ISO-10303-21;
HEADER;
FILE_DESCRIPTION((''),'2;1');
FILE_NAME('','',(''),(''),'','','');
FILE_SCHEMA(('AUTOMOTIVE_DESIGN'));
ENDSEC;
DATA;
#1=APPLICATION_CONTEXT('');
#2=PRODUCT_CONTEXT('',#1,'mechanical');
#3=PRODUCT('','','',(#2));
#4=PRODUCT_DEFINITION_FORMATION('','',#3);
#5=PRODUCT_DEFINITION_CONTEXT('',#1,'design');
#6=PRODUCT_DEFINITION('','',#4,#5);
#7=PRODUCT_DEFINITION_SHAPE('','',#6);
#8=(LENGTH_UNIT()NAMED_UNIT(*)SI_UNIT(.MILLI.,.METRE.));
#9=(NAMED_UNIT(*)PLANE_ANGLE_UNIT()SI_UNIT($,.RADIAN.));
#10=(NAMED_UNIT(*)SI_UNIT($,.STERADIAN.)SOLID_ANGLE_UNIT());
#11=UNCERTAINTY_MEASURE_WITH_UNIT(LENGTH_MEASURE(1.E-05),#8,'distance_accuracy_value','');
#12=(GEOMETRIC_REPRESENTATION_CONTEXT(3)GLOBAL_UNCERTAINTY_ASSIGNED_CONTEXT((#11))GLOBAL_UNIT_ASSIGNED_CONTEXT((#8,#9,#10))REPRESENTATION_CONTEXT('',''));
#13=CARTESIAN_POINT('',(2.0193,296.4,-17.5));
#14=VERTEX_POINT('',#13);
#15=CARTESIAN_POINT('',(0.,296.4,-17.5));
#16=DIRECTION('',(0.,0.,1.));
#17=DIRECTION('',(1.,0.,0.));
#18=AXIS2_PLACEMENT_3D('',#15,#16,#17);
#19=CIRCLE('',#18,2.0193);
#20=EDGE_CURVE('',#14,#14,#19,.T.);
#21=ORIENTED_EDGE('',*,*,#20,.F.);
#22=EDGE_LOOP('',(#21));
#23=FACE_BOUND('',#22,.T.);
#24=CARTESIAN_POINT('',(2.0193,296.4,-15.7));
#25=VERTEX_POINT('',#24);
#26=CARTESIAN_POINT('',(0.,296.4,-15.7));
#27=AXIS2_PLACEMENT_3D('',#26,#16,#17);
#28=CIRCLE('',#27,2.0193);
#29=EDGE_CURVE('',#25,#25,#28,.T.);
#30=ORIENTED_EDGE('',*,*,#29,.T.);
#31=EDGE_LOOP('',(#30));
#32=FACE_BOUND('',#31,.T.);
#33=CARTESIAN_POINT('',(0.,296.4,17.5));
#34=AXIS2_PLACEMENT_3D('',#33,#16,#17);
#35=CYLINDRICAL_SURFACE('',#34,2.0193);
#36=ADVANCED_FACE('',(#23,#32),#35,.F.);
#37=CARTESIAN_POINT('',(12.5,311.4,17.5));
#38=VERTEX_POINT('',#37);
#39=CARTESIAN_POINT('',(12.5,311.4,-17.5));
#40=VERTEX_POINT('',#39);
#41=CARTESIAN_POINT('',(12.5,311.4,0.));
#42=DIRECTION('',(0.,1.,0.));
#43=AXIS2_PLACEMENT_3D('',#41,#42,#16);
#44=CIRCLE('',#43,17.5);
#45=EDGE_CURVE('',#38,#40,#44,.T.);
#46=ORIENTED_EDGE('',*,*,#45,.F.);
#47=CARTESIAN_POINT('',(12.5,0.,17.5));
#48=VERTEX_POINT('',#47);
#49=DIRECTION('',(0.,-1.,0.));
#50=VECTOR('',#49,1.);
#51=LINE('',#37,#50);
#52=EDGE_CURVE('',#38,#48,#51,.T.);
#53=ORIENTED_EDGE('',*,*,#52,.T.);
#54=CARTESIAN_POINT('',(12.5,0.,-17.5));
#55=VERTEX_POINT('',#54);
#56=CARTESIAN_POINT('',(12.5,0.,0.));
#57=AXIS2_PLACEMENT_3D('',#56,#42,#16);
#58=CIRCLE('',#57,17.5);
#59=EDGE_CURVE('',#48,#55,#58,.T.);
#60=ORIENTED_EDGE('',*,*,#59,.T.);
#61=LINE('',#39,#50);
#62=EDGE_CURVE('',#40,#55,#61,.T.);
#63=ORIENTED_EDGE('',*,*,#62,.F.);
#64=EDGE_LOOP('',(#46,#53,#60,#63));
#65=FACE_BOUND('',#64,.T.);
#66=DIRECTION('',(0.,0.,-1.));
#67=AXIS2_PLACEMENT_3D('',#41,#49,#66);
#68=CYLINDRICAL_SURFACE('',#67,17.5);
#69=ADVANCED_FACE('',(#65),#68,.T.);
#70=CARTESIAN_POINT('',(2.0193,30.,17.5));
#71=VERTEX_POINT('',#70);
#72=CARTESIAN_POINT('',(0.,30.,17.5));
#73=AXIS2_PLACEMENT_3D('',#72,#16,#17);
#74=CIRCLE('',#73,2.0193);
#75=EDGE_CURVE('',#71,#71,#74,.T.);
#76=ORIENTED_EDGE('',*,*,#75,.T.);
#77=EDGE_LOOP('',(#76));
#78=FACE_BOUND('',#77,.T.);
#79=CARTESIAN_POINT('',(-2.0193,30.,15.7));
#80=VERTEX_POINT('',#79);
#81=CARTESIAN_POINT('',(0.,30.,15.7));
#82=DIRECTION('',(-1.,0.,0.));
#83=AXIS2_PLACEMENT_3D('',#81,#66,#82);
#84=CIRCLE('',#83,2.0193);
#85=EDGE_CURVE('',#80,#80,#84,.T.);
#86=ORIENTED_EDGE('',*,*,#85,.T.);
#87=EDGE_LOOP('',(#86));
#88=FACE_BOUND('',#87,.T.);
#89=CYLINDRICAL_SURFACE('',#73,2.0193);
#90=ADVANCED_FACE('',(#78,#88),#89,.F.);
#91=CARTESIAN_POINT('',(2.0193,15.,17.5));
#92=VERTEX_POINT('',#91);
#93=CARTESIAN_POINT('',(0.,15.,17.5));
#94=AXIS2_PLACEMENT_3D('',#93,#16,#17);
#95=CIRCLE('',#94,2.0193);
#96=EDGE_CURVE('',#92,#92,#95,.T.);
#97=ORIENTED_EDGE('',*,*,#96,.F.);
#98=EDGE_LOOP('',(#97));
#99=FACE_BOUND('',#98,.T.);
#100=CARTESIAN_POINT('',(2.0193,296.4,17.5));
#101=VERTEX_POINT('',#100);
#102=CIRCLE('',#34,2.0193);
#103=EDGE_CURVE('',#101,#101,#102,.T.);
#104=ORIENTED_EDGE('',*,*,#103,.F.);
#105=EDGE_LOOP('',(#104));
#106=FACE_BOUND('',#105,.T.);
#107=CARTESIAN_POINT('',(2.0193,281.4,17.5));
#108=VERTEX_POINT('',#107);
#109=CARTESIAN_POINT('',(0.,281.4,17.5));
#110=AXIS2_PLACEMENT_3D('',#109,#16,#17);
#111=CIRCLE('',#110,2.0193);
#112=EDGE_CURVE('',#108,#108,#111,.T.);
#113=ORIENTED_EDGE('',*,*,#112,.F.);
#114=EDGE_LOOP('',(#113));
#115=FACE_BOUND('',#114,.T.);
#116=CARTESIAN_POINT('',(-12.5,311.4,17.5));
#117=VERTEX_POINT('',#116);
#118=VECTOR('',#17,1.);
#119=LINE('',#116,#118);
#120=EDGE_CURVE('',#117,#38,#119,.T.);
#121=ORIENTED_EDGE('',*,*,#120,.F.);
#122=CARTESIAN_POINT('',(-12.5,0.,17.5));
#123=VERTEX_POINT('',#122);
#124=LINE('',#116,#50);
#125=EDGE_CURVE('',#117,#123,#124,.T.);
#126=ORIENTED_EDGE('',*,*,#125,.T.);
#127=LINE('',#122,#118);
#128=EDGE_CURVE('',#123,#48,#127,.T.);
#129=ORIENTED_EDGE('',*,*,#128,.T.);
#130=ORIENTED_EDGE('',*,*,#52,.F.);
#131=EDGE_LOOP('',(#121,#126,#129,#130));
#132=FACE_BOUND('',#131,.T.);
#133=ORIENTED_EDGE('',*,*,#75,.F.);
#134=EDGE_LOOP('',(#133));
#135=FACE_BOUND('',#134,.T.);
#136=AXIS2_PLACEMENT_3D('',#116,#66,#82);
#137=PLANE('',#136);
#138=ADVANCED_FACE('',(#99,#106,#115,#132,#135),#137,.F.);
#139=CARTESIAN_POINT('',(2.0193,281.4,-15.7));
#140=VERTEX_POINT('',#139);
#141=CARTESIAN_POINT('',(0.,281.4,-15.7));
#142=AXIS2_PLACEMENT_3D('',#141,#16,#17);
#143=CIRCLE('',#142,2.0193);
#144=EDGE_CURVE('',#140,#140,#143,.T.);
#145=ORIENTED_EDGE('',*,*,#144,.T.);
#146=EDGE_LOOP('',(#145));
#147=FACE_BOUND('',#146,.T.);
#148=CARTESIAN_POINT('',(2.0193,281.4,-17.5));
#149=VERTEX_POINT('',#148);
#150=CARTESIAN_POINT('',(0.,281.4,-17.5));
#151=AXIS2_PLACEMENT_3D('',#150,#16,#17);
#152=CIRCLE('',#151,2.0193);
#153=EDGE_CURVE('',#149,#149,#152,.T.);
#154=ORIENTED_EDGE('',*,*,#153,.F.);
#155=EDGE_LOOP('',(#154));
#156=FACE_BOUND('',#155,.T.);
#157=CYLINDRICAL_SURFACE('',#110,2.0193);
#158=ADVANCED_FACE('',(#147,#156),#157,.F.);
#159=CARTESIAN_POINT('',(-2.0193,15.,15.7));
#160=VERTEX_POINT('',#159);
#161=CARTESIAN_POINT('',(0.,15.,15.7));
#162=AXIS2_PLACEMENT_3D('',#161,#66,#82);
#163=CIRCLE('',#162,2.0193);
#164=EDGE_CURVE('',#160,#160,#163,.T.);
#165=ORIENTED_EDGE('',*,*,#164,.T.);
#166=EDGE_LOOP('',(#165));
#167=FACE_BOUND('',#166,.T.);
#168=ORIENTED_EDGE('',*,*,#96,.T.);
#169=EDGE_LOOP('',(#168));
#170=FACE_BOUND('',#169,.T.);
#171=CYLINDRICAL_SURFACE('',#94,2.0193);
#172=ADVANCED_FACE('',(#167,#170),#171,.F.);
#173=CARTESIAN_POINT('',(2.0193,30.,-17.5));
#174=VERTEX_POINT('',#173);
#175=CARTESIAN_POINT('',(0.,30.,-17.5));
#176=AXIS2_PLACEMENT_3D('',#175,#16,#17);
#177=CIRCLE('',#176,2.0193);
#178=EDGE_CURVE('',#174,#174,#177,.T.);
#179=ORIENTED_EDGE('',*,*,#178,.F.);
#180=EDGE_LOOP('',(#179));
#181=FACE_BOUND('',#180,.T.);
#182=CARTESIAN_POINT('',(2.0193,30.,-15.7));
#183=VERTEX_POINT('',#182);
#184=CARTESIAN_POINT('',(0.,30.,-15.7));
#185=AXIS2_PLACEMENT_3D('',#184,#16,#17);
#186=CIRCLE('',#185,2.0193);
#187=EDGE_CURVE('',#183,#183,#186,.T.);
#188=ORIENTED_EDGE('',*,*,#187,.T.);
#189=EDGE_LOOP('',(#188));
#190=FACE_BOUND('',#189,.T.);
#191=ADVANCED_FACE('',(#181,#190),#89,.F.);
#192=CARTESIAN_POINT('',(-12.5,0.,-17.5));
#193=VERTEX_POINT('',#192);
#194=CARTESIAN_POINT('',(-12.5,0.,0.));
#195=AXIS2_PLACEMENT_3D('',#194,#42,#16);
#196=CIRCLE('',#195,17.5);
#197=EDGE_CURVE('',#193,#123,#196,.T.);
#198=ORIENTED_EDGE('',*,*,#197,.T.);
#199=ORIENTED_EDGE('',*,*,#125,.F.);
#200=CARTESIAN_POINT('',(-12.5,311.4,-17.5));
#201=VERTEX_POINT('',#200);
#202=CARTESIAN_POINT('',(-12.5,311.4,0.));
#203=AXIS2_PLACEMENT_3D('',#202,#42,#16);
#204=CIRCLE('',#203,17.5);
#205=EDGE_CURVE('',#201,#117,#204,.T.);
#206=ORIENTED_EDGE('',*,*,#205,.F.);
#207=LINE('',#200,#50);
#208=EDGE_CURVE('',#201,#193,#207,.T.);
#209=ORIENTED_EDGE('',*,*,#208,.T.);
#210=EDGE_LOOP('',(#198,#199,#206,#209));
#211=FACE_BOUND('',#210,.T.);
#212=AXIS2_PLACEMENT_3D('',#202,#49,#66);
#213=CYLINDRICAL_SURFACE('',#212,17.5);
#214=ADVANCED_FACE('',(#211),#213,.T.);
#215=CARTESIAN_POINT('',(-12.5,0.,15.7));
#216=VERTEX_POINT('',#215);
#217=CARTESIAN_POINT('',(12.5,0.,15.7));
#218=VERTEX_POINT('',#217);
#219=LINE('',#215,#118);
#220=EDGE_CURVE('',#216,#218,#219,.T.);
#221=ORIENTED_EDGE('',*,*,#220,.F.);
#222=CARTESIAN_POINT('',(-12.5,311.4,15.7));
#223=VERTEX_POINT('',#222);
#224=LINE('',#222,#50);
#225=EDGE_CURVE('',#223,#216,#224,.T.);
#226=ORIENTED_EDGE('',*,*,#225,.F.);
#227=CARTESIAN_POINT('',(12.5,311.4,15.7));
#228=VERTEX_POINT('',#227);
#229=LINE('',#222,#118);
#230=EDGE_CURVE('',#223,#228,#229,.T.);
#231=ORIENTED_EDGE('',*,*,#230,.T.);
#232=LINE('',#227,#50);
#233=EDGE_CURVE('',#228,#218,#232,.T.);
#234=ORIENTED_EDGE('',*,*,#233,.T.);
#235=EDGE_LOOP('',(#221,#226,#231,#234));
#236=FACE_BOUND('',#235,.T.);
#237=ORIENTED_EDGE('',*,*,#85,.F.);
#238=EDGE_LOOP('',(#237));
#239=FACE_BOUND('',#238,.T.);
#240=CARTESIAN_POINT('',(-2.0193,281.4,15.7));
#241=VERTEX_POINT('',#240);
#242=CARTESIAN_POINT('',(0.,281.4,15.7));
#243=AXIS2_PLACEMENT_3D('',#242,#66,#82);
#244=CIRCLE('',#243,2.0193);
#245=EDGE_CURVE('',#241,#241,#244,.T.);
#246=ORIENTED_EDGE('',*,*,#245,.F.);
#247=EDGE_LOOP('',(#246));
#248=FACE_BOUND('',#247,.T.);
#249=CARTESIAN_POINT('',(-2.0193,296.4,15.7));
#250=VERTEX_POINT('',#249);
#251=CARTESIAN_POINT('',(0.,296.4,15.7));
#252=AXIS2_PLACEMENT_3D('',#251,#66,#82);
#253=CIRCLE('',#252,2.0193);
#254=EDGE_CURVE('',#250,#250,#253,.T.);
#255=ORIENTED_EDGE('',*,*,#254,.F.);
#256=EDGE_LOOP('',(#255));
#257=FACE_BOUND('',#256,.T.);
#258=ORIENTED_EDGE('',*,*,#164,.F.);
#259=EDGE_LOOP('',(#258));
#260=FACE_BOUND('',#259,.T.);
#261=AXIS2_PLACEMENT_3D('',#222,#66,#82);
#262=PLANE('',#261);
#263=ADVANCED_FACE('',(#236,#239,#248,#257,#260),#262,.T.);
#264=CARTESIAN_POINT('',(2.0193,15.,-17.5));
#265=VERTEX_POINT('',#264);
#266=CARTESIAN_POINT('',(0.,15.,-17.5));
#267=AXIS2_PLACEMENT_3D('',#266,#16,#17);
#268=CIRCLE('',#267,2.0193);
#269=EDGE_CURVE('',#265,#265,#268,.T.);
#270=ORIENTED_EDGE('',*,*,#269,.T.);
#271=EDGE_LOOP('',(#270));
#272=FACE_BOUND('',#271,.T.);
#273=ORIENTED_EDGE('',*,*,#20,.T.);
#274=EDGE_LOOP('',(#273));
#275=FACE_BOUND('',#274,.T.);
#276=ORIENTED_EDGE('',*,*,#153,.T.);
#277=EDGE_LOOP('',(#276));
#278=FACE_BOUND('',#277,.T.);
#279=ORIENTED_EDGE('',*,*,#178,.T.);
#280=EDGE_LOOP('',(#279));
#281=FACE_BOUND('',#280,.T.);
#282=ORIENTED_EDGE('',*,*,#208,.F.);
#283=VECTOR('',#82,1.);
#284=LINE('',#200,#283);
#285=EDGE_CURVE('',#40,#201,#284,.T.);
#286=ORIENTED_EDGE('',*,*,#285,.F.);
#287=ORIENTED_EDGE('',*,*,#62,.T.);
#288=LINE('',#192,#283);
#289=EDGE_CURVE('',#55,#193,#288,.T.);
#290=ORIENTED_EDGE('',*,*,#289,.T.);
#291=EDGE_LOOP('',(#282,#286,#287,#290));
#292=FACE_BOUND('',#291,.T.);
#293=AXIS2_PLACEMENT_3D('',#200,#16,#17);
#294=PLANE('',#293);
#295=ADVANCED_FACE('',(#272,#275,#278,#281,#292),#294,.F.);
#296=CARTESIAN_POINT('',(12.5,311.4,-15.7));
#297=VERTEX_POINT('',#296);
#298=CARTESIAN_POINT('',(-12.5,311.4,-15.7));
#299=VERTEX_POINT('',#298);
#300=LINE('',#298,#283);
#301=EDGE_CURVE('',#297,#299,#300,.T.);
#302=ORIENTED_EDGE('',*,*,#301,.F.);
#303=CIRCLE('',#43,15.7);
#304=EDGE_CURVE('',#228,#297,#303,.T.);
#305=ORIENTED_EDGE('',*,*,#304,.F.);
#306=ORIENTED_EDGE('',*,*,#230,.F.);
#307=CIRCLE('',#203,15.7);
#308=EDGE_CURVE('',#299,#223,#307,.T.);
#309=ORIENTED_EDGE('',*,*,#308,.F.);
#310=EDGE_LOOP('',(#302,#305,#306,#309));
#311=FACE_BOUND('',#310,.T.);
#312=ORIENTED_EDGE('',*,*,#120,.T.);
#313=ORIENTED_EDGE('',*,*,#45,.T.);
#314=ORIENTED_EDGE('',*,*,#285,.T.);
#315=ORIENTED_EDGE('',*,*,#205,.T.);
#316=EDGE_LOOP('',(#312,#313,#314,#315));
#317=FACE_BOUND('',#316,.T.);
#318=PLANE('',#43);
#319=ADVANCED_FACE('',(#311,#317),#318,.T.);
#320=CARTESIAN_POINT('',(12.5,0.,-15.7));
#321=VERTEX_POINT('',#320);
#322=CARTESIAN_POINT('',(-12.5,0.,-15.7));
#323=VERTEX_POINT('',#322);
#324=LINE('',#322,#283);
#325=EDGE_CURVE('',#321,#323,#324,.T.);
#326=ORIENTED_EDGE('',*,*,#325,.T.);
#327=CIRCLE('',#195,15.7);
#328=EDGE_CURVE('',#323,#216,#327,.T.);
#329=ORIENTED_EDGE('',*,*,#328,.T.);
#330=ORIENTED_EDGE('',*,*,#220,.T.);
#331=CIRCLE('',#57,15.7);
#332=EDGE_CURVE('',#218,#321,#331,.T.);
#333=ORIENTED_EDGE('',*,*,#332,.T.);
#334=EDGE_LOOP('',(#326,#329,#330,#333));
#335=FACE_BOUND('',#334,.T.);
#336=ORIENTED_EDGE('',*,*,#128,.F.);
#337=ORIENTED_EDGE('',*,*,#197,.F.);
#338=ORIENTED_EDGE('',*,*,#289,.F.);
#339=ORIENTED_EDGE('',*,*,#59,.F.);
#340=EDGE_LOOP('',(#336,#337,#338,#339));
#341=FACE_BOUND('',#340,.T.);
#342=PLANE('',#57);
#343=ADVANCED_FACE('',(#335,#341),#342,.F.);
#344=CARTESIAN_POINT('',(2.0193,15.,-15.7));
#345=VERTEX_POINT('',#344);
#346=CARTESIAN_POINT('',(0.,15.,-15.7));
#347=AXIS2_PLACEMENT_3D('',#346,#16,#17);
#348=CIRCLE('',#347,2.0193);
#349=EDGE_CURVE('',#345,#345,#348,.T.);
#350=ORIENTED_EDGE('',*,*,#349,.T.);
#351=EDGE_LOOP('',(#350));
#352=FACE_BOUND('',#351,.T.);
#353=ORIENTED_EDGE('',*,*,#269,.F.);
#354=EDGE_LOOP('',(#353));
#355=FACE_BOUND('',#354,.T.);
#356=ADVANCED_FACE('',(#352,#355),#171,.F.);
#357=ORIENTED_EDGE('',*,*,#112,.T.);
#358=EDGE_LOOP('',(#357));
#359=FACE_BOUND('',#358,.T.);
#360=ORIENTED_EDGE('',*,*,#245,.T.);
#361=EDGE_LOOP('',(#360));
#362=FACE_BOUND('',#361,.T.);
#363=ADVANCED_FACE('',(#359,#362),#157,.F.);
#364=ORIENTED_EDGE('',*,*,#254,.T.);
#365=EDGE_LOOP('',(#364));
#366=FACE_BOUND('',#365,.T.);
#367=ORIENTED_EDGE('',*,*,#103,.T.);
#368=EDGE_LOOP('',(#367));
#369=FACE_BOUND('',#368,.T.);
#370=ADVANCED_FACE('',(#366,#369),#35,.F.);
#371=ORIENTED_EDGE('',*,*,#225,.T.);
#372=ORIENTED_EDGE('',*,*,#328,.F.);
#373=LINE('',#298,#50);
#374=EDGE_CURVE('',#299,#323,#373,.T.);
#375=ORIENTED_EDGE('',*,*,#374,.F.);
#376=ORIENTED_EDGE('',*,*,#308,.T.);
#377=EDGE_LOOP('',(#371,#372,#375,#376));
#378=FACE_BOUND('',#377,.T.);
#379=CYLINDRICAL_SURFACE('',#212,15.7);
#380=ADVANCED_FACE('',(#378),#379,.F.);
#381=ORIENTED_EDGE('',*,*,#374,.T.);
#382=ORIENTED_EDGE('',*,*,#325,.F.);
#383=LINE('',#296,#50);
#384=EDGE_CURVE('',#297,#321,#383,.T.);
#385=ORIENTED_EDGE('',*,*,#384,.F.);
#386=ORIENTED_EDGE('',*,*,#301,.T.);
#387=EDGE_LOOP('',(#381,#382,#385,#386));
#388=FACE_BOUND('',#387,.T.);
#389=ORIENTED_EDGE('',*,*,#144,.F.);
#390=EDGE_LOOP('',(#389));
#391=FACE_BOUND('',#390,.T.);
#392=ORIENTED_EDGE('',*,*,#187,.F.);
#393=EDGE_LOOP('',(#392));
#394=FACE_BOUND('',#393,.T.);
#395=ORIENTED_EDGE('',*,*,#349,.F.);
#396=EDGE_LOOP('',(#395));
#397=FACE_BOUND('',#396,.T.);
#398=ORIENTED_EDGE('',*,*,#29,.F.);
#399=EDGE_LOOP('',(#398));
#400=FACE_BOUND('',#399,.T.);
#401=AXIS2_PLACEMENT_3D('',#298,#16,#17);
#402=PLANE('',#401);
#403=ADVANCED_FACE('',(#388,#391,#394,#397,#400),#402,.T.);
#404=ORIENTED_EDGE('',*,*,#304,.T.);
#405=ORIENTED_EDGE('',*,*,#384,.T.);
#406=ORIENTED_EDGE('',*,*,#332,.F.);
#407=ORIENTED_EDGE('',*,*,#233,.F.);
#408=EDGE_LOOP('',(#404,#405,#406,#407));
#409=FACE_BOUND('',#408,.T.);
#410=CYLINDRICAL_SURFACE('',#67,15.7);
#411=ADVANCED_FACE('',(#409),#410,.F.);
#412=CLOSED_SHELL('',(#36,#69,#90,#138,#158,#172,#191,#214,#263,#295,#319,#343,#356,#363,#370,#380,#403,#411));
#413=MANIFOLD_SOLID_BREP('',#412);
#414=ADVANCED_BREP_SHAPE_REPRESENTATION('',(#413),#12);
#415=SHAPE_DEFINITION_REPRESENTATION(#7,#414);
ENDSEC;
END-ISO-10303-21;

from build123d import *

# Parameters (mm, degrees)
EXTRUDE_1_DEPTH       = 311.4
HOLE_WIZARD_10_32_1_D = 4.0386


with BuildPart() as part:
    # 草圖1 → 填料-伸長1 (new body)
    with BuildSketch(Plane(origin=(0, 0, 0), x_dir=(1, 0, 0), z_dir=(0, 1, 0))):
        with BuildLine():
            Line((-12.5, 17.5), (12.5, 17.5))
            ThreePointArc((12.5, 17.5), (30, 0), (12.5, -17.5))
            Line((12.5, -17.5), (-12.5, -17.5))
            ThreePointArc((-12.5, -17.5), (-30, 0), (-12.5, 17.5))
        make_face()
        with BuildLine():
            Line((-12.5, 15.7), (12.5, 15.7))
            ThreePointArc((12.5, 15.7), (28.2, 0), (12.5, -15.7))
            Line((12.5, -15.7), (-12.5, -15.7))
            ThreePointArc((-12.5, -15.7), (-28.2, 0), (-12.5, 15.7))
        make_face(mode=Mode.SUBTRACT)
    extrude(amount=EXTRUDE_1_DEPTH)

    # #10-32 螺紋孔1 (through all)
    with Locations(Plane.XY.offset(17.5)):
        with Locations((0, 15), (0, 30), (0, 296.4), (0, 281.4)):
            Hole(HOLE_WIZARD_10_32_1_D / 2)


solid = part.part
